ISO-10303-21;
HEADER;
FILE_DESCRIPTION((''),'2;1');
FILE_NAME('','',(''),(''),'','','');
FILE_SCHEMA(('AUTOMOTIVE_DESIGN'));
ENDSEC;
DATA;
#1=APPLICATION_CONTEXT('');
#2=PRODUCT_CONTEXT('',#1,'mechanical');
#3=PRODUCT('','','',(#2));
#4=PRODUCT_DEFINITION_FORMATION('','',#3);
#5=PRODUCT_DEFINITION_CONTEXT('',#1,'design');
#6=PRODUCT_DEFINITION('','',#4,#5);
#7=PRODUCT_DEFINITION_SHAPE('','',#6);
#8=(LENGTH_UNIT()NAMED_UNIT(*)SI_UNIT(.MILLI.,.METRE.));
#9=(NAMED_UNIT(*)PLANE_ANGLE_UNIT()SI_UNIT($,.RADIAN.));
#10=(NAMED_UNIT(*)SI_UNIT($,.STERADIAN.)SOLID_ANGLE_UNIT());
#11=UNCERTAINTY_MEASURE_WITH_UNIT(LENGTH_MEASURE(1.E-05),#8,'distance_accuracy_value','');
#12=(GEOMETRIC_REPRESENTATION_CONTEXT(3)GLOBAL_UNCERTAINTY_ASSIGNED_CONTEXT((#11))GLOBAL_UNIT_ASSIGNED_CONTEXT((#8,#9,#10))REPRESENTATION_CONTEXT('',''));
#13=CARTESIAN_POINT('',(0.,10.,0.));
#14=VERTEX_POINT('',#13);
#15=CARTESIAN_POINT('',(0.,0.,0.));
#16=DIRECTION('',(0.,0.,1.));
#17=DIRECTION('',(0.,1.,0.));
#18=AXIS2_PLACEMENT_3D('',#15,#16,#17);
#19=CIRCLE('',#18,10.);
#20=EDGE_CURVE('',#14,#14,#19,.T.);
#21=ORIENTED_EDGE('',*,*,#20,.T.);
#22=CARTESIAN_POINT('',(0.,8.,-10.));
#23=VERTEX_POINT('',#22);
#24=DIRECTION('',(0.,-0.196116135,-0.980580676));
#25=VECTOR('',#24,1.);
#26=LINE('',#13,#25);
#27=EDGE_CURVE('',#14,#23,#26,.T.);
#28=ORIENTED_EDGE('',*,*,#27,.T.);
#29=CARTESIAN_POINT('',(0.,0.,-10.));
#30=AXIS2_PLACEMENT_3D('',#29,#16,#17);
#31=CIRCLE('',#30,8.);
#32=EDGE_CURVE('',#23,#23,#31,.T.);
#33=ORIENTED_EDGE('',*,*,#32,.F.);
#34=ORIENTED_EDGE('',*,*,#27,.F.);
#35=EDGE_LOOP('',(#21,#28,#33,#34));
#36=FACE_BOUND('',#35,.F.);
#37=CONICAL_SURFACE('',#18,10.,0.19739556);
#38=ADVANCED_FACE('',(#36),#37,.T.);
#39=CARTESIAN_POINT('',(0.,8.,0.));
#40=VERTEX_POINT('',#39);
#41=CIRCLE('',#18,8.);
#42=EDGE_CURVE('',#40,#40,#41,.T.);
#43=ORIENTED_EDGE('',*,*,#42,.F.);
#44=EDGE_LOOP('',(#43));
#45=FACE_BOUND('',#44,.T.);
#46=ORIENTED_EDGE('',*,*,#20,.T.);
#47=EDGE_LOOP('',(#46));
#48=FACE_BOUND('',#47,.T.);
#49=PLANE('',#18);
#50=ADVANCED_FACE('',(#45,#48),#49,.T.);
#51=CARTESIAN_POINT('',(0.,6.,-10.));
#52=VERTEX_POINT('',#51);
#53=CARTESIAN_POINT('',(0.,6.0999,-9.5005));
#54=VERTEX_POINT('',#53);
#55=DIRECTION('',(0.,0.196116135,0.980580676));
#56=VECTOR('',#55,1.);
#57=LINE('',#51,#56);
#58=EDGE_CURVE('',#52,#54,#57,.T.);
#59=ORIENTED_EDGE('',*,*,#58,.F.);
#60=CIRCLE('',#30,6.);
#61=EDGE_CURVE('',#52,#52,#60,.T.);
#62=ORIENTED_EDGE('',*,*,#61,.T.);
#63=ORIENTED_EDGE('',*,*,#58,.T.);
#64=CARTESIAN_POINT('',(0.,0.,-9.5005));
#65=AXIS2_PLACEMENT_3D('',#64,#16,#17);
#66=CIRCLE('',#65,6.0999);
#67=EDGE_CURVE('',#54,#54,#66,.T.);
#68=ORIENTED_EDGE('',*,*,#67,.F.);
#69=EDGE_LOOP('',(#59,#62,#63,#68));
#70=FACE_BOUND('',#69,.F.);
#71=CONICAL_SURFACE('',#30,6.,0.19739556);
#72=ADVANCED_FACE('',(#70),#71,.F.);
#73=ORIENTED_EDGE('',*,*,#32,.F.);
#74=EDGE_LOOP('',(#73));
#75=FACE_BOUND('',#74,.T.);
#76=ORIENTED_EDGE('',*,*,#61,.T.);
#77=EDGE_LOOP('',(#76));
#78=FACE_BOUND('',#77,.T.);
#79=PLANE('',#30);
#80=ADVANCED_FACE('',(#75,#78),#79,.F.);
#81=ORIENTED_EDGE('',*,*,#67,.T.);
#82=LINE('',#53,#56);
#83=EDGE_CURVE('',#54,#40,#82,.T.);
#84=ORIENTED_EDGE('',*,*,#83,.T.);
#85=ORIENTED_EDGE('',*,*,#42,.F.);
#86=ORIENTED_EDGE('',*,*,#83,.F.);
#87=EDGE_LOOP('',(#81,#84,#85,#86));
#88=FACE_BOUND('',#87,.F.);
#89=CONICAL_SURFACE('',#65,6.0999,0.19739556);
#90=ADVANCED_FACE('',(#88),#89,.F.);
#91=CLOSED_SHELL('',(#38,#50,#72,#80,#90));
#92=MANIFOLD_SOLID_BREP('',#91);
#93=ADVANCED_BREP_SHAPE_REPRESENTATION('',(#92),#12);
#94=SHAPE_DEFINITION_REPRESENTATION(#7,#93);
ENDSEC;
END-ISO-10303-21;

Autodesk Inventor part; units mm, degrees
ref_plane "YZ Plane" through (0, 0, 0) normal (1, 0, 0) x (0, 1, 0)
ref_plane "XZ Plane" through (0, 0, 0) normal (0, 1, 0) x (-1, 0, 0)
ref_plane "XY Plane" through (0, 0, 0) normal (0, 0, 1) x (1, 0, 0)
sketch "Skizze4" plane through (0, 0, 0) normal (1, 0, 0) x (0, 1, 0)
  line L0 (-2, 0) -> (12, 0) construction
  line L1 (0, -12) -> (0, 2) projected
  line L2 (10, 0) -> (8, -10)
  line L3 (6.0999, -9.5005) -> (8, 0)
  line L4 (6, -10) -> (8, 0)
  line L5 (10, 0) -> (8, 0)
  line L6 (6, -10) -> (8, -10)
  point P0 (0, 0)
  dimension "d6" = 20
  dimension "d7" = 12
  dimension "d8" = 2
  dimension "d9" = 10
revolve "Umdrehung1" add sketch "Skizze4" angle 360 about axis through (0, 0, -10) along (0, 0, 1)
properties part number "Lampignon_20x10" material "geeigneten Werkstoff auswählen !"
